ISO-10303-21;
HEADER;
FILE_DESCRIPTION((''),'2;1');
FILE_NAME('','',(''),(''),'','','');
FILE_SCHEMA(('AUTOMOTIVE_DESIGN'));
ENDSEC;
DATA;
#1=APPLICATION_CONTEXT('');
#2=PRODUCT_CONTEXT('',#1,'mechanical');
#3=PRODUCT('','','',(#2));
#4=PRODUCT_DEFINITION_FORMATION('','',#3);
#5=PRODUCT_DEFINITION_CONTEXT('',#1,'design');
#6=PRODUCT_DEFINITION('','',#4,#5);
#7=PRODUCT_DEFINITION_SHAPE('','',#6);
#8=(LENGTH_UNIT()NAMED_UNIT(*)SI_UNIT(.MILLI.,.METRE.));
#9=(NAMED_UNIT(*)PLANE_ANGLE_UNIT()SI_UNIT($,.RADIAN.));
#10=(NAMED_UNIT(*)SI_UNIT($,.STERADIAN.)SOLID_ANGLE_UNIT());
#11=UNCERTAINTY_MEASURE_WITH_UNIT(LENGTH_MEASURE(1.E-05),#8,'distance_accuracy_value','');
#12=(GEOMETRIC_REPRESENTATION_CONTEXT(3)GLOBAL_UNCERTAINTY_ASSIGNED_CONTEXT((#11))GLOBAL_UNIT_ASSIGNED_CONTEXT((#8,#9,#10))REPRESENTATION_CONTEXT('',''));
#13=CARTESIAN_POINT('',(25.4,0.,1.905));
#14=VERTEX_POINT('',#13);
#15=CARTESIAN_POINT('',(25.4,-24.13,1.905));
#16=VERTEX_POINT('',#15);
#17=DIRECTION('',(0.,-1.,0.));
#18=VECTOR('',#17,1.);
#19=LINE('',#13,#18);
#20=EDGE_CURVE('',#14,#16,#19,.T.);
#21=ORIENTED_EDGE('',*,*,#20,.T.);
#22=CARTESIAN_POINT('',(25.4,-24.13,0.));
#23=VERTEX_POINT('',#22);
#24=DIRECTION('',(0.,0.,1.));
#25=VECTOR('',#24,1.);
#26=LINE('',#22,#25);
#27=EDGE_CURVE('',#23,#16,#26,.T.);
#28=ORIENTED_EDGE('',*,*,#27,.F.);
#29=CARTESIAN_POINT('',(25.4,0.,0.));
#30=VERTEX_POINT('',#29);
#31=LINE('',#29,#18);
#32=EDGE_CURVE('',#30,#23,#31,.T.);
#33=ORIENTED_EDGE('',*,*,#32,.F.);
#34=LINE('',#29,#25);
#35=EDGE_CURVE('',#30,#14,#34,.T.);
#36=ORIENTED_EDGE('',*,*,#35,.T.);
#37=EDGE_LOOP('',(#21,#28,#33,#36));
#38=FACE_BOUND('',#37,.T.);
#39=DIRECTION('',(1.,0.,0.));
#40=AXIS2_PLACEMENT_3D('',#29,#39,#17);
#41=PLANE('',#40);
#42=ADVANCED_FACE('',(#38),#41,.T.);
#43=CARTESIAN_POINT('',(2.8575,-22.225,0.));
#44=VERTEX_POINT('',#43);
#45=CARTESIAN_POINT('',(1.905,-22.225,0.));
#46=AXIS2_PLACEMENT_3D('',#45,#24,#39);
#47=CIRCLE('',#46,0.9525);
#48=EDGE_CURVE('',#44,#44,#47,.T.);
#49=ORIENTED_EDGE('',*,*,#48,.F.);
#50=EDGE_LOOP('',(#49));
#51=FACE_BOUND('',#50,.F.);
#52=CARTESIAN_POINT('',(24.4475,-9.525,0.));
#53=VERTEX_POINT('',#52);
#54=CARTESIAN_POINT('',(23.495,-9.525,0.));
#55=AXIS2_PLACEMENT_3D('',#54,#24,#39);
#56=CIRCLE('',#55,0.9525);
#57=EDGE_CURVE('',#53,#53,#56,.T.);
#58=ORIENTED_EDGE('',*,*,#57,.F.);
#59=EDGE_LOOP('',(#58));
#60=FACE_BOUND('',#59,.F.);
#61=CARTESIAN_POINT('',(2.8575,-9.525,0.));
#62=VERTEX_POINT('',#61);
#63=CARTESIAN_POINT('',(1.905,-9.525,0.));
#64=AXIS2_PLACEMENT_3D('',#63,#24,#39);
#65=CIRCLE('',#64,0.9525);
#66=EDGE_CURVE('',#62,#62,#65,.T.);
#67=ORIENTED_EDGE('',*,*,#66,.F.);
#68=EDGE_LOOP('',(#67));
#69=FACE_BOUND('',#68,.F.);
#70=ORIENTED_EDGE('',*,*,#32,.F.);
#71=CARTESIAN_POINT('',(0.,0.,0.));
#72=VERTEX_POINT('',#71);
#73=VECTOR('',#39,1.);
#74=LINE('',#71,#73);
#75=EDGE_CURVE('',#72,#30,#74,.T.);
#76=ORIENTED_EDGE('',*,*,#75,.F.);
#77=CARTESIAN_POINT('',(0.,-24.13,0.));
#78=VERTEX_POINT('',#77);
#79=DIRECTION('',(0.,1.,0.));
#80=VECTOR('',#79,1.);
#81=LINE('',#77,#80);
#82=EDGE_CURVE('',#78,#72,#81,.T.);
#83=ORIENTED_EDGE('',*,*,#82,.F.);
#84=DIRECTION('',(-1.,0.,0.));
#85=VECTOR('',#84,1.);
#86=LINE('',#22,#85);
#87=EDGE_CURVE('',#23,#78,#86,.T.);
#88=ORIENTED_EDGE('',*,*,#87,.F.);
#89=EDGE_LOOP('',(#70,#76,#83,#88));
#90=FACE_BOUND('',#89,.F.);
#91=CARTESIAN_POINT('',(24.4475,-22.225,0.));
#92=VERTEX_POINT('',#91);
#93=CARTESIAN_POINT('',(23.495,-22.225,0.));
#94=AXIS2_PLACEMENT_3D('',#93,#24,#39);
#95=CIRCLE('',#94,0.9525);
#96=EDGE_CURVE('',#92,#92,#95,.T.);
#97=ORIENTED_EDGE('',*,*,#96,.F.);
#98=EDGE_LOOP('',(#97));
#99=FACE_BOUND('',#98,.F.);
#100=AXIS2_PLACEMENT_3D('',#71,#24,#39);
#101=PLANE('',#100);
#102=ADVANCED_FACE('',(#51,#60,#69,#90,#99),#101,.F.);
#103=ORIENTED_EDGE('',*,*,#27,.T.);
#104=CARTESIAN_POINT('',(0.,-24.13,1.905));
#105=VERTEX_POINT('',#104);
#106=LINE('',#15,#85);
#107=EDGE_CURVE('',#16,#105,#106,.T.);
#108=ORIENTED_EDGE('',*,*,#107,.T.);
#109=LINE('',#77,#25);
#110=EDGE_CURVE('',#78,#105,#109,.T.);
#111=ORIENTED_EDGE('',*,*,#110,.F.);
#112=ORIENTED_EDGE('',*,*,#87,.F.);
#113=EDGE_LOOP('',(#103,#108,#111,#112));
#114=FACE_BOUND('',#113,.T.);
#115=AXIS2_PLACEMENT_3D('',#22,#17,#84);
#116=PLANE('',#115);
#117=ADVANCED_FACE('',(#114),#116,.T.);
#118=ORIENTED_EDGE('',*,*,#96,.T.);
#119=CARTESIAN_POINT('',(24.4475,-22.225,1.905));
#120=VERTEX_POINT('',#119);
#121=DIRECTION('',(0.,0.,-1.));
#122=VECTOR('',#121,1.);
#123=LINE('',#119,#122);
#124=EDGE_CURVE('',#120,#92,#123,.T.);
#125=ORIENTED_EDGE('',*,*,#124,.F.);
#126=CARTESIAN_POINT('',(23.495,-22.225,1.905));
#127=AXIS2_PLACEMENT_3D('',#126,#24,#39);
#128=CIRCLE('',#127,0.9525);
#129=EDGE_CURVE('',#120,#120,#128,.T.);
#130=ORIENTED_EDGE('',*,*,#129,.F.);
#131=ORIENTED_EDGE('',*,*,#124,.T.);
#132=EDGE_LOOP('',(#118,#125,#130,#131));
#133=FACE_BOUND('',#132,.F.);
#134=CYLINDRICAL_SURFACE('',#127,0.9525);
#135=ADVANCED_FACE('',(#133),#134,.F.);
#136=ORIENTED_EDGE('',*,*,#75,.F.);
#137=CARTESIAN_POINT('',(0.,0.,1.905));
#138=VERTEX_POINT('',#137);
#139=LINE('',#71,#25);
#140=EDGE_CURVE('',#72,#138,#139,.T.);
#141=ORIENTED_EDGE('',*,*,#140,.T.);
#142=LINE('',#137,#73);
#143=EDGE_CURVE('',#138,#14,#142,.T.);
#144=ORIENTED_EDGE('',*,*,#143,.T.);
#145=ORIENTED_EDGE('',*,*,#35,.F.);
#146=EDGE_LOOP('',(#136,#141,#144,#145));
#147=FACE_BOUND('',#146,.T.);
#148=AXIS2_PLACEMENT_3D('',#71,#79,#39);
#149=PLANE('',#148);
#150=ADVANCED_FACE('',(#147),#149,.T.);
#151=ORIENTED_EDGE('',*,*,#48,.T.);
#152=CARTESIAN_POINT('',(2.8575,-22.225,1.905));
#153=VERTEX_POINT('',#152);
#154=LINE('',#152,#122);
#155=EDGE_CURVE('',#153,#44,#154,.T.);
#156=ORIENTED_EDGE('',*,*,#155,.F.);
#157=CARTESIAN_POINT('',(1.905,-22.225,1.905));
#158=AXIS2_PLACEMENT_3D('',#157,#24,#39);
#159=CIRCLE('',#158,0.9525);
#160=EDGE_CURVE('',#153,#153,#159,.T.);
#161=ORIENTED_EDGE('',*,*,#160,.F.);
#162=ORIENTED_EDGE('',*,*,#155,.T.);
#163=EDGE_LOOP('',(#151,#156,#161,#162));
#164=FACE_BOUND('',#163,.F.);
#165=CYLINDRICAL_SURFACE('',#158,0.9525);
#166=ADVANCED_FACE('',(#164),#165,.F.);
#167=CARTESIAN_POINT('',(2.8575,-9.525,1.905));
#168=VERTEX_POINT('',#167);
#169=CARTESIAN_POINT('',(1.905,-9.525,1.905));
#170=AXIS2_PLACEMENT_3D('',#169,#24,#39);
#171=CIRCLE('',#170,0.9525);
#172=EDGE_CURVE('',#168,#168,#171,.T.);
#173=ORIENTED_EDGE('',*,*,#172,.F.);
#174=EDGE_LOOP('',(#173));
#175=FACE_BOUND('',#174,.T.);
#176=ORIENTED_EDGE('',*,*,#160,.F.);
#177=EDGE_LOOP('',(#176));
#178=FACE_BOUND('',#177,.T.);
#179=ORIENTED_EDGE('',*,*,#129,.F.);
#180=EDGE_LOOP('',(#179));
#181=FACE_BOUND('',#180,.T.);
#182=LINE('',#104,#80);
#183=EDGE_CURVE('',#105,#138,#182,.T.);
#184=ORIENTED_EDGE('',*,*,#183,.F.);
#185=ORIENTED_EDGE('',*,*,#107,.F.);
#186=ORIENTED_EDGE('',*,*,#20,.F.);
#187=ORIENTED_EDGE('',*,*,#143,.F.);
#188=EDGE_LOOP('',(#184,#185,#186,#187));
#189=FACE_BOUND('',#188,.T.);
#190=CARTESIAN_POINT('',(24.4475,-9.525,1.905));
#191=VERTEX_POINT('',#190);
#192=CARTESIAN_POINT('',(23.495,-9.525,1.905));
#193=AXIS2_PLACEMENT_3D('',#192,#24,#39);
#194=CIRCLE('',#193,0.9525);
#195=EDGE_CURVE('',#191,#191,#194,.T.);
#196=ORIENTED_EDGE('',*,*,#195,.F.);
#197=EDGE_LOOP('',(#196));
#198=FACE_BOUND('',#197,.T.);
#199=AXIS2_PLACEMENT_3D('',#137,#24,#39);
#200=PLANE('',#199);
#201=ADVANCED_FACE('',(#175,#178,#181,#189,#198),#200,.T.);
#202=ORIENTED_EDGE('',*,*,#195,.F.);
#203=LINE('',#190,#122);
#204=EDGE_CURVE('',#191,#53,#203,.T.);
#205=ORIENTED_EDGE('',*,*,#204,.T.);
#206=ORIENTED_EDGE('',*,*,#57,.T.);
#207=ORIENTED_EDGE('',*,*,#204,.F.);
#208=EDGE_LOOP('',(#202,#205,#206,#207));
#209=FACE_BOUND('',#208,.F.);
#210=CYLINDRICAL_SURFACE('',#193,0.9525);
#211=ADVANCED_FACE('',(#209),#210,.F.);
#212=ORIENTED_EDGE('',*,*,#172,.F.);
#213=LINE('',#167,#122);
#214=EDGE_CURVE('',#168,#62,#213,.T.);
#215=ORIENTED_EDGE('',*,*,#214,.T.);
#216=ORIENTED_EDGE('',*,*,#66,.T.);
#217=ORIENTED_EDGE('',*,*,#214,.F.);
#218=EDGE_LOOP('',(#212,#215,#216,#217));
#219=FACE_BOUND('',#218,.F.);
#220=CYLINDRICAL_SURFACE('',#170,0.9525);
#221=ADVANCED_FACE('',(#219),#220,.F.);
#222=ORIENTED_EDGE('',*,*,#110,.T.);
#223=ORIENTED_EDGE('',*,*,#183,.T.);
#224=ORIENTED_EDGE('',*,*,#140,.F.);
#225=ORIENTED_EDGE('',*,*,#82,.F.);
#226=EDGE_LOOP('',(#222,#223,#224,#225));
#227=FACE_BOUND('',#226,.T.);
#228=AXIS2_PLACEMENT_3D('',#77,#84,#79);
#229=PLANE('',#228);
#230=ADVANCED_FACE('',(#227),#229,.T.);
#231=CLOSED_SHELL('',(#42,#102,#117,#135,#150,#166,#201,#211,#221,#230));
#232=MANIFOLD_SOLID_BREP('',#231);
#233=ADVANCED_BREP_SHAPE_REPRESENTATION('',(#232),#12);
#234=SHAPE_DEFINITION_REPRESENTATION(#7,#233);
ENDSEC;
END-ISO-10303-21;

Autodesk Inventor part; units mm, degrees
ref_plane "YZ Plane" through (0, 0, 0) normal (1, 0, 0) x (0, 1, 0)
ref_plane "XZ Plane" through (0, 0, 0) normal (0, 1, 0) x (-1, 0, 0)
ref_plane "XY Plane" through (0, 0, 0) normal (0, 0, 1) x (1, 0, 0)
sketch "Sketch1" plane through (0, 0, 0) normal (0, 0, 1) x (1, 0, 0)
  line L0 (0, 0) -> (25.4, 0)
  line L1 (25.4, 0) -> (25.4, -24.13)
  line L2 (25.4, -24.13) -> (0, -24.13)
  line L3 (0, -24.13) -> (0, 0)
  dimension "d0" = 25.4
  dimension "d1" = 24.13
extrude "Extrusion1" add sketch "Sketch1" along normal blind 1.905
sketch "Sketch2" plane through (0, 0, 1.905) normal (0, 0, 1) x (1, 0, 0)
  circle A0 centre (1.905, -22.225) radius 0.9525
  circle A1 centre (1.905, -9.525) radius 0.9525
  circle A2 centre (23.495, -9.525) radius 0.9525
  circle A3 centre (23.495, -22.225) radius 0.9525
  line L0 (25.4, -24.13) -> (25.4, 0) projected
  line L1 (0, -24.13) -> (25.4, -24.13) projected
  line L2 (0, 0) -> (0, -24.13) projected
  line L3 (25.4, 0) -> (0, 0) projected
  dimension "d4" = 1.905
  dimension "d5" = 1.905
  dimension "d6" = 1.905
  dimension "d7" = 1.905
  dimension "d8" = 1.905
  dimension "d9" = 1.905
  dimension "d10" = 1.905
  dimension "d11" = 1.905
  dimension "d12" = 9.525
  dimension "d13" = 9.525
  dimension "d14" = 1.905
  dimension "d15" = 1.905
extrude "Extrusion2" cut sketch "Sketch2" against normal blind 1.905 contours A0 | A1 | A2 | A3
properties part number "CameraBoard" material "Thermoplastic Resin"
